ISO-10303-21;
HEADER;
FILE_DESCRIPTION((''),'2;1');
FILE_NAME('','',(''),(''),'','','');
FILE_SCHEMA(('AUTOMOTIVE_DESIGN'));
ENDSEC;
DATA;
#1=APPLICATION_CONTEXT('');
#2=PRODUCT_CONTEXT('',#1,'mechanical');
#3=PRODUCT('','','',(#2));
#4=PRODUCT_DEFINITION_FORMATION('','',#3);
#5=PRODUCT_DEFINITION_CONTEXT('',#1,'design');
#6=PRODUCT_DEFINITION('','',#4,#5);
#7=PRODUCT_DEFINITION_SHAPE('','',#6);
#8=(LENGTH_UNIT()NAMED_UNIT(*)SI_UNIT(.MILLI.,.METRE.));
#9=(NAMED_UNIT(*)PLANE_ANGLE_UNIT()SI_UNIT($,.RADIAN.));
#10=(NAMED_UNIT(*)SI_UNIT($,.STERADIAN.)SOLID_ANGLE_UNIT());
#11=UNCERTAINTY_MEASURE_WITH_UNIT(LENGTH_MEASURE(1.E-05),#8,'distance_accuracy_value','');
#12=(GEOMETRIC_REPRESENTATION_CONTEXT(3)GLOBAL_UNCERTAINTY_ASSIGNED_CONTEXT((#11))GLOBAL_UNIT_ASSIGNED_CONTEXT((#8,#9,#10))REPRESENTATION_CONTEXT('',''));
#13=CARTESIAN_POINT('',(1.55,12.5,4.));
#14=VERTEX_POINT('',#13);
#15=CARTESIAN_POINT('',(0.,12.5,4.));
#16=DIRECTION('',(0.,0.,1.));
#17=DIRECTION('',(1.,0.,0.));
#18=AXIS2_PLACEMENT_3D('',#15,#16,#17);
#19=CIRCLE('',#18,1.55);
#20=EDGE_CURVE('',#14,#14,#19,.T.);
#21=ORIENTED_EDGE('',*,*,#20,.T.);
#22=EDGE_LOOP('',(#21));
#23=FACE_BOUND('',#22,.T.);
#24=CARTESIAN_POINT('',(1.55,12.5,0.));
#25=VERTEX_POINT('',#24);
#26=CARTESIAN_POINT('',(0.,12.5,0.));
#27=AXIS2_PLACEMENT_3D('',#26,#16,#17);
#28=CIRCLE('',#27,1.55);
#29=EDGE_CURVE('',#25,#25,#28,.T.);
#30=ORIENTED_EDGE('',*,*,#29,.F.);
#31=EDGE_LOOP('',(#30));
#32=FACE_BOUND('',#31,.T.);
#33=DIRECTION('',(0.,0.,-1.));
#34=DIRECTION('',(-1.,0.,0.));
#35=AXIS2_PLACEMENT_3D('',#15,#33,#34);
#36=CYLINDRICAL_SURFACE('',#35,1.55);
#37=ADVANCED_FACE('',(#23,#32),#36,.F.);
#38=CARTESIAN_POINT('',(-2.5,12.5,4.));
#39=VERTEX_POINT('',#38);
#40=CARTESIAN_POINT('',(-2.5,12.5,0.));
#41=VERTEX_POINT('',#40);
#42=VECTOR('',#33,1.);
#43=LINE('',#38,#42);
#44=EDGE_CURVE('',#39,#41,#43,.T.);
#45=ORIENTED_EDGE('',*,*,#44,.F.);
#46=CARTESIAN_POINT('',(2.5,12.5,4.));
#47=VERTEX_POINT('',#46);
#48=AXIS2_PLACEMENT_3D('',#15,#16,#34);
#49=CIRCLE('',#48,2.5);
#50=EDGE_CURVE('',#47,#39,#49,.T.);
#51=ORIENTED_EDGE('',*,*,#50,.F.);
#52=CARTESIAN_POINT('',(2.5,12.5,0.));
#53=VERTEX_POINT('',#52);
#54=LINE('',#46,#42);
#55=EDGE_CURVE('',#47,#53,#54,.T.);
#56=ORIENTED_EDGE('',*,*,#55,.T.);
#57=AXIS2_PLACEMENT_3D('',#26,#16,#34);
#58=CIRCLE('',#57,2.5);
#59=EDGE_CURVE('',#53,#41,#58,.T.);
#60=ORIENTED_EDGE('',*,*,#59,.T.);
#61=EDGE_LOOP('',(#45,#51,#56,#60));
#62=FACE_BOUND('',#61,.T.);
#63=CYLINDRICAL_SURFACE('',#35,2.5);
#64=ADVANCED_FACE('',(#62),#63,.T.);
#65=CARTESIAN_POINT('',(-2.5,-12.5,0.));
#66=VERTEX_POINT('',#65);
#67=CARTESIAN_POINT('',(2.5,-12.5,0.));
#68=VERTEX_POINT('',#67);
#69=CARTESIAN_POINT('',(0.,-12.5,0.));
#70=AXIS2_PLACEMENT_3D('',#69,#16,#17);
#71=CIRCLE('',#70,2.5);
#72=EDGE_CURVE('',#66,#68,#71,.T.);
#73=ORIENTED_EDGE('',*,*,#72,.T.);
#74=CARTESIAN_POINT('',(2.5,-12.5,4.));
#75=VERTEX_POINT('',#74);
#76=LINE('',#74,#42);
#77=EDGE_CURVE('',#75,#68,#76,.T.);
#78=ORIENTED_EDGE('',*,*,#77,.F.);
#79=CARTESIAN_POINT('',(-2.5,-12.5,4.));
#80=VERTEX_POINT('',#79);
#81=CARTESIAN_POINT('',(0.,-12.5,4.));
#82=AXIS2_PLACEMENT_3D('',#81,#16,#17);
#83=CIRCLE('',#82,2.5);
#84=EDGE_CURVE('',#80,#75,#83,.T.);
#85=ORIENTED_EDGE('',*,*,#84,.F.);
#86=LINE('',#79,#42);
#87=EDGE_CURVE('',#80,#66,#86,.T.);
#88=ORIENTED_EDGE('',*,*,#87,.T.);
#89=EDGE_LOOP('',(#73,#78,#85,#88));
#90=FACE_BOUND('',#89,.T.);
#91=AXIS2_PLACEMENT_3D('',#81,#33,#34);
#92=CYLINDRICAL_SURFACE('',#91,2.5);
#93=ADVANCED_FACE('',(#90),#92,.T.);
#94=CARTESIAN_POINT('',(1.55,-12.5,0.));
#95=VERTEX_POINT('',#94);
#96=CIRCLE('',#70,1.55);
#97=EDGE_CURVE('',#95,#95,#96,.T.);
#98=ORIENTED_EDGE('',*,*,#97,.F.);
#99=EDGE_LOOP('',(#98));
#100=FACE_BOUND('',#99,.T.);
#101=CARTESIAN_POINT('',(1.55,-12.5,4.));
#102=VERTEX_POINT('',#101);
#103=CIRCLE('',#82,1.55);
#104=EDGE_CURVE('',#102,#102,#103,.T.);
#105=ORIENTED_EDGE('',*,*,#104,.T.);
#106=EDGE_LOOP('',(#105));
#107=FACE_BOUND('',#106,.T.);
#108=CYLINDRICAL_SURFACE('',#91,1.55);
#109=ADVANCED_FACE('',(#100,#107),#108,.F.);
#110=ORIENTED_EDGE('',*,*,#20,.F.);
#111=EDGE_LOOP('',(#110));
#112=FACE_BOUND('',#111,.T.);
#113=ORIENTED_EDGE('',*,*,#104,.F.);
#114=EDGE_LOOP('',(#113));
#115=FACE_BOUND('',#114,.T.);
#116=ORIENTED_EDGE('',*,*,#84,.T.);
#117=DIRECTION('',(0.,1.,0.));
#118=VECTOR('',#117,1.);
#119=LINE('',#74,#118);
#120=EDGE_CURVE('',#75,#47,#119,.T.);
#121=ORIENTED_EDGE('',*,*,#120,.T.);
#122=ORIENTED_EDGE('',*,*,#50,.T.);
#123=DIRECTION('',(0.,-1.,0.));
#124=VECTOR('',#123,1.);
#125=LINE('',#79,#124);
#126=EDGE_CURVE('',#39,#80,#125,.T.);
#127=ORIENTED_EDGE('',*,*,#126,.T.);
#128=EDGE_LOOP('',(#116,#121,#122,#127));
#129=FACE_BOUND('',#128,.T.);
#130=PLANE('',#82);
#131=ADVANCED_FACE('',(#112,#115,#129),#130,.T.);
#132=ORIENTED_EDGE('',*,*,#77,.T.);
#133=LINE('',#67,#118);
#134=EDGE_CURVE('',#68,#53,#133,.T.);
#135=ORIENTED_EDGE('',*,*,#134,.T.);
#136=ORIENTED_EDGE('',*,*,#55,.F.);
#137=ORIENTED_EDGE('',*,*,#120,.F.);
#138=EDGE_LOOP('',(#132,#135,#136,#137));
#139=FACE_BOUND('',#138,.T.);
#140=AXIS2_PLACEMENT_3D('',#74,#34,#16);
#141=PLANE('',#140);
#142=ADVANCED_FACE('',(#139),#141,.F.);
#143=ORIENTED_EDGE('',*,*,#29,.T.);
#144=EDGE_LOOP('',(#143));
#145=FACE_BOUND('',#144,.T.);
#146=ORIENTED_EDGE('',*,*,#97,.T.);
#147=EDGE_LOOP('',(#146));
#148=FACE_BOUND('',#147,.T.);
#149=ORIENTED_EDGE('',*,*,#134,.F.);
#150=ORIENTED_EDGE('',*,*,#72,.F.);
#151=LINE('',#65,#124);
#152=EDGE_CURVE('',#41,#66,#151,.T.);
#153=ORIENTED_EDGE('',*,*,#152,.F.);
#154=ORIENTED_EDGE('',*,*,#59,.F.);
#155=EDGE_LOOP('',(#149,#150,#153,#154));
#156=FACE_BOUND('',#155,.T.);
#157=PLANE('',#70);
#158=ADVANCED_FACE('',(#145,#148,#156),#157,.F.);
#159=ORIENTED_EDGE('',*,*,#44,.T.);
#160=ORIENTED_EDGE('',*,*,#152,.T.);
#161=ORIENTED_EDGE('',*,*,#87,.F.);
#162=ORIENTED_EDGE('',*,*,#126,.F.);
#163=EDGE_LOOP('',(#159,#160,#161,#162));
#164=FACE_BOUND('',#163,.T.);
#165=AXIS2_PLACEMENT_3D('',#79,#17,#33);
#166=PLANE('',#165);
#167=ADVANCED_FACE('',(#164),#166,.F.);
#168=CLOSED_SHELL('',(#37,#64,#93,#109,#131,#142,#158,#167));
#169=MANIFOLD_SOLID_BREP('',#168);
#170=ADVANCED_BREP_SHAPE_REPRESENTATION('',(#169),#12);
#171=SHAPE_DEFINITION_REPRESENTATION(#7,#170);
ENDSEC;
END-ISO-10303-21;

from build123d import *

# Parameters (mm, degrees)
SKETCH_1_R      = 1.55
EXTRUDE_1_DEPTH = 4


with BuildPart() as part:
    # 草图1 → 凸台-拉伸1 (new body)
    with BuildSketch(Plane.XY):
        with BuildLine():
            Line((-2.5, -12.5), (-2.5, 12.5))
            ThreePointArc((-2.5, 12.5), (0, 15), (2.5, 12.5))
            Line((2.5, 12.5), (2.5, -12.5))
            ThreePointArc((2.5, -12.5), (0, -15), (-2.5, -12.5))
        make_face()
        with Locations((0, 12.5)):
            Circle(SKETCH_1_R, mode=Mode.SUBTRACT)
        with Locations((0, -12.5)):
            Circle(SKETCH_1_R, mode=Mode.SUBTRACT)
    extrude(amount=EXTRUDE_1_DEPTH)


solid = part.part
